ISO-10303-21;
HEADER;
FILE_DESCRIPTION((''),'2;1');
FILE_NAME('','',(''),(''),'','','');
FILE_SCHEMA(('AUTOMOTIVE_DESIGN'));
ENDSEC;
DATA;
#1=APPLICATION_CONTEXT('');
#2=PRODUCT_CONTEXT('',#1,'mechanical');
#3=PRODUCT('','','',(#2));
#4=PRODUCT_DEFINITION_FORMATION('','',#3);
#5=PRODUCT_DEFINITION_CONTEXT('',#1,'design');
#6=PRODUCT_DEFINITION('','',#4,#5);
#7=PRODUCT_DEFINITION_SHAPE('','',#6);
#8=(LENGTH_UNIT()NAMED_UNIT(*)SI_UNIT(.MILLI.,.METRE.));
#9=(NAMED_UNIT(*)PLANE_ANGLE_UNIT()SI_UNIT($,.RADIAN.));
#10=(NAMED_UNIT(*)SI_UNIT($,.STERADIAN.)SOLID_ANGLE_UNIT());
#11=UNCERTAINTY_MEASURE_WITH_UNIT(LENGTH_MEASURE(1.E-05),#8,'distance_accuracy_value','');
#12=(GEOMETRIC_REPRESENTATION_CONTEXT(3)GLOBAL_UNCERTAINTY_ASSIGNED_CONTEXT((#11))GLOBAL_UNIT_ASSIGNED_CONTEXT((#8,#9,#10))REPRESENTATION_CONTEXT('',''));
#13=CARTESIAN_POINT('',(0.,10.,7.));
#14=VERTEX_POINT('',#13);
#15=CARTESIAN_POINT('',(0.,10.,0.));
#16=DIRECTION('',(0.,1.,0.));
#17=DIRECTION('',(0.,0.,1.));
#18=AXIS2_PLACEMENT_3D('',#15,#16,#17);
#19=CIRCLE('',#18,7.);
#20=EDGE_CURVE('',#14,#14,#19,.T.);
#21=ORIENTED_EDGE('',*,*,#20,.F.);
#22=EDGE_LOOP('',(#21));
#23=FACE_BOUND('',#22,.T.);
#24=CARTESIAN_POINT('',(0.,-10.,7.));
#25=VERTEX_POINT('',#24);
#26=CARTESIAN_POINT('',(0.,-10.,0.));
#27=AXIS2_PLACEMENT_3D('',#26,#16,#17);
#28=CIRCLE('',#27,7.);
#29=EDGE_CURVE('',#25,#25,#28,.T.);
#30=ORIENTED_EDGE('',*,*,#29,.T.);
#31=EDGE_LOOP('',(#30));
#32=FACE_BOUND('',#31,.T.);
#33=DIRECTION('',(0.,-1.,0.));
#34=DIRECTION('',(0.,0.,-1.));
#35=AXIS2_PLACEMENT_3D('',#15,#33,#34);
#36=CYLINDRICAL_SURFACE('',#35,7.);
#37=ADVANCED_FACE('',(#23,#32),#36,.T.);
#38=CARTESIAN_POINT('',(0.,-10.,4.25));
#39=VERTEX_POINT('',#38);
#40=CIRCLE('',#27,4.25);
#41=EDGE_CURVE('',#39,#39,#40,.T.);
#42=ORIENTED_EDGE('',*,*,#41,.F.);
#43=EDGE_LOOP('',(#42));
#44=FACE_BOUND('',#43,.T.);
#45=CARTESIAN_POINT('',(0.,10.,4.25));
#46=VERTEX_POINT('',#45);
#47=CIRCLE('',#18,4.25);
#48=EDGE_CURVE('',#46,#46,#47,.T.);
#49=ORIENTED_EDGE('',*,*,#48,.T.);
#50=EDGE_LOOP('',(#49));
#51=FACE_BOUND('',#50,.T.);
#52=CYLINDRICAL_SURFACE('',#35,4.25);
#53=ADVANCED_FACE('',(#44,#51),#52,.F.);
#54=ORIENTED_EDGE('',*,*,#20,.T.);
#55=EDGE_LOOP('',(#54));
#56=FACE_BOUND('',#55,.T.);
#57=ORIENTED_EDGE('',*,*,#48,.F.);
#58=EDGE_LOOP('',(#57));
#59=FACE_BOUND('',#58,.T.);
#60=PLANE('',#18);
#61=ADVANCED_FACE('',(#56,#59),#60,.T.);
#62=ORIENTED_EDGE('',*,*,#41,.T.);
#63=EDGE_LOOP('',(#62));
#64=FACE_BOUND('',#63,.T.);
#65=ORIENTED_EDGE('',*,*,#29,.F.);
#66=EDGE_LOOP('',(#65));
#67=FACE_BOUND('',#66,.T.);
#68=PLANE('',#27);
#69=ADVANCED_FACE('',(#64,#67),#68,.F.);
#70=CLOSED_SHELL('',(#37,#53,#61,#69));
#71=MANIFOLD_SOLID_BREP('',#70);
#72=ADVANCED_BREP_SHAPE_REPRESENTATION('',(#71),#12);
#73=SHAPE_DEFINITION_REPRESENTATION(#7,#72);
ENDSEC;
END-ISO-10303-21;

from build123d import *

# Parameters (mm, degrees)
SZKIC1_R                    = 7
SZKIC1_R_2                  = 4.25
DODANIE_WYCI_GNI_CIE1_DEPTH = 10


with BuildPart() as part:
    # Szkic1 → Dodanie-wyciągnięcie1 (new, symmetric)
    with BuildSketch(Plane(origin=(0, 0, 0), x_dir=(1, 0, 0), z_dir=(0, 1, 0))):
        with Locations(Location((0, 0, 0), (0, 0, 270))):
            Circle(SZKIC1_R)
        with Locations(Location((0, 0, 0), (0, 0, 270))):
            Circle(SZKIC1_R_2, mode=Mode.SUBTRACT)
    extrude(amount=DODANIE_WYCI_GNI_CIE1_DEPTH, both=True)


solid = part.part
